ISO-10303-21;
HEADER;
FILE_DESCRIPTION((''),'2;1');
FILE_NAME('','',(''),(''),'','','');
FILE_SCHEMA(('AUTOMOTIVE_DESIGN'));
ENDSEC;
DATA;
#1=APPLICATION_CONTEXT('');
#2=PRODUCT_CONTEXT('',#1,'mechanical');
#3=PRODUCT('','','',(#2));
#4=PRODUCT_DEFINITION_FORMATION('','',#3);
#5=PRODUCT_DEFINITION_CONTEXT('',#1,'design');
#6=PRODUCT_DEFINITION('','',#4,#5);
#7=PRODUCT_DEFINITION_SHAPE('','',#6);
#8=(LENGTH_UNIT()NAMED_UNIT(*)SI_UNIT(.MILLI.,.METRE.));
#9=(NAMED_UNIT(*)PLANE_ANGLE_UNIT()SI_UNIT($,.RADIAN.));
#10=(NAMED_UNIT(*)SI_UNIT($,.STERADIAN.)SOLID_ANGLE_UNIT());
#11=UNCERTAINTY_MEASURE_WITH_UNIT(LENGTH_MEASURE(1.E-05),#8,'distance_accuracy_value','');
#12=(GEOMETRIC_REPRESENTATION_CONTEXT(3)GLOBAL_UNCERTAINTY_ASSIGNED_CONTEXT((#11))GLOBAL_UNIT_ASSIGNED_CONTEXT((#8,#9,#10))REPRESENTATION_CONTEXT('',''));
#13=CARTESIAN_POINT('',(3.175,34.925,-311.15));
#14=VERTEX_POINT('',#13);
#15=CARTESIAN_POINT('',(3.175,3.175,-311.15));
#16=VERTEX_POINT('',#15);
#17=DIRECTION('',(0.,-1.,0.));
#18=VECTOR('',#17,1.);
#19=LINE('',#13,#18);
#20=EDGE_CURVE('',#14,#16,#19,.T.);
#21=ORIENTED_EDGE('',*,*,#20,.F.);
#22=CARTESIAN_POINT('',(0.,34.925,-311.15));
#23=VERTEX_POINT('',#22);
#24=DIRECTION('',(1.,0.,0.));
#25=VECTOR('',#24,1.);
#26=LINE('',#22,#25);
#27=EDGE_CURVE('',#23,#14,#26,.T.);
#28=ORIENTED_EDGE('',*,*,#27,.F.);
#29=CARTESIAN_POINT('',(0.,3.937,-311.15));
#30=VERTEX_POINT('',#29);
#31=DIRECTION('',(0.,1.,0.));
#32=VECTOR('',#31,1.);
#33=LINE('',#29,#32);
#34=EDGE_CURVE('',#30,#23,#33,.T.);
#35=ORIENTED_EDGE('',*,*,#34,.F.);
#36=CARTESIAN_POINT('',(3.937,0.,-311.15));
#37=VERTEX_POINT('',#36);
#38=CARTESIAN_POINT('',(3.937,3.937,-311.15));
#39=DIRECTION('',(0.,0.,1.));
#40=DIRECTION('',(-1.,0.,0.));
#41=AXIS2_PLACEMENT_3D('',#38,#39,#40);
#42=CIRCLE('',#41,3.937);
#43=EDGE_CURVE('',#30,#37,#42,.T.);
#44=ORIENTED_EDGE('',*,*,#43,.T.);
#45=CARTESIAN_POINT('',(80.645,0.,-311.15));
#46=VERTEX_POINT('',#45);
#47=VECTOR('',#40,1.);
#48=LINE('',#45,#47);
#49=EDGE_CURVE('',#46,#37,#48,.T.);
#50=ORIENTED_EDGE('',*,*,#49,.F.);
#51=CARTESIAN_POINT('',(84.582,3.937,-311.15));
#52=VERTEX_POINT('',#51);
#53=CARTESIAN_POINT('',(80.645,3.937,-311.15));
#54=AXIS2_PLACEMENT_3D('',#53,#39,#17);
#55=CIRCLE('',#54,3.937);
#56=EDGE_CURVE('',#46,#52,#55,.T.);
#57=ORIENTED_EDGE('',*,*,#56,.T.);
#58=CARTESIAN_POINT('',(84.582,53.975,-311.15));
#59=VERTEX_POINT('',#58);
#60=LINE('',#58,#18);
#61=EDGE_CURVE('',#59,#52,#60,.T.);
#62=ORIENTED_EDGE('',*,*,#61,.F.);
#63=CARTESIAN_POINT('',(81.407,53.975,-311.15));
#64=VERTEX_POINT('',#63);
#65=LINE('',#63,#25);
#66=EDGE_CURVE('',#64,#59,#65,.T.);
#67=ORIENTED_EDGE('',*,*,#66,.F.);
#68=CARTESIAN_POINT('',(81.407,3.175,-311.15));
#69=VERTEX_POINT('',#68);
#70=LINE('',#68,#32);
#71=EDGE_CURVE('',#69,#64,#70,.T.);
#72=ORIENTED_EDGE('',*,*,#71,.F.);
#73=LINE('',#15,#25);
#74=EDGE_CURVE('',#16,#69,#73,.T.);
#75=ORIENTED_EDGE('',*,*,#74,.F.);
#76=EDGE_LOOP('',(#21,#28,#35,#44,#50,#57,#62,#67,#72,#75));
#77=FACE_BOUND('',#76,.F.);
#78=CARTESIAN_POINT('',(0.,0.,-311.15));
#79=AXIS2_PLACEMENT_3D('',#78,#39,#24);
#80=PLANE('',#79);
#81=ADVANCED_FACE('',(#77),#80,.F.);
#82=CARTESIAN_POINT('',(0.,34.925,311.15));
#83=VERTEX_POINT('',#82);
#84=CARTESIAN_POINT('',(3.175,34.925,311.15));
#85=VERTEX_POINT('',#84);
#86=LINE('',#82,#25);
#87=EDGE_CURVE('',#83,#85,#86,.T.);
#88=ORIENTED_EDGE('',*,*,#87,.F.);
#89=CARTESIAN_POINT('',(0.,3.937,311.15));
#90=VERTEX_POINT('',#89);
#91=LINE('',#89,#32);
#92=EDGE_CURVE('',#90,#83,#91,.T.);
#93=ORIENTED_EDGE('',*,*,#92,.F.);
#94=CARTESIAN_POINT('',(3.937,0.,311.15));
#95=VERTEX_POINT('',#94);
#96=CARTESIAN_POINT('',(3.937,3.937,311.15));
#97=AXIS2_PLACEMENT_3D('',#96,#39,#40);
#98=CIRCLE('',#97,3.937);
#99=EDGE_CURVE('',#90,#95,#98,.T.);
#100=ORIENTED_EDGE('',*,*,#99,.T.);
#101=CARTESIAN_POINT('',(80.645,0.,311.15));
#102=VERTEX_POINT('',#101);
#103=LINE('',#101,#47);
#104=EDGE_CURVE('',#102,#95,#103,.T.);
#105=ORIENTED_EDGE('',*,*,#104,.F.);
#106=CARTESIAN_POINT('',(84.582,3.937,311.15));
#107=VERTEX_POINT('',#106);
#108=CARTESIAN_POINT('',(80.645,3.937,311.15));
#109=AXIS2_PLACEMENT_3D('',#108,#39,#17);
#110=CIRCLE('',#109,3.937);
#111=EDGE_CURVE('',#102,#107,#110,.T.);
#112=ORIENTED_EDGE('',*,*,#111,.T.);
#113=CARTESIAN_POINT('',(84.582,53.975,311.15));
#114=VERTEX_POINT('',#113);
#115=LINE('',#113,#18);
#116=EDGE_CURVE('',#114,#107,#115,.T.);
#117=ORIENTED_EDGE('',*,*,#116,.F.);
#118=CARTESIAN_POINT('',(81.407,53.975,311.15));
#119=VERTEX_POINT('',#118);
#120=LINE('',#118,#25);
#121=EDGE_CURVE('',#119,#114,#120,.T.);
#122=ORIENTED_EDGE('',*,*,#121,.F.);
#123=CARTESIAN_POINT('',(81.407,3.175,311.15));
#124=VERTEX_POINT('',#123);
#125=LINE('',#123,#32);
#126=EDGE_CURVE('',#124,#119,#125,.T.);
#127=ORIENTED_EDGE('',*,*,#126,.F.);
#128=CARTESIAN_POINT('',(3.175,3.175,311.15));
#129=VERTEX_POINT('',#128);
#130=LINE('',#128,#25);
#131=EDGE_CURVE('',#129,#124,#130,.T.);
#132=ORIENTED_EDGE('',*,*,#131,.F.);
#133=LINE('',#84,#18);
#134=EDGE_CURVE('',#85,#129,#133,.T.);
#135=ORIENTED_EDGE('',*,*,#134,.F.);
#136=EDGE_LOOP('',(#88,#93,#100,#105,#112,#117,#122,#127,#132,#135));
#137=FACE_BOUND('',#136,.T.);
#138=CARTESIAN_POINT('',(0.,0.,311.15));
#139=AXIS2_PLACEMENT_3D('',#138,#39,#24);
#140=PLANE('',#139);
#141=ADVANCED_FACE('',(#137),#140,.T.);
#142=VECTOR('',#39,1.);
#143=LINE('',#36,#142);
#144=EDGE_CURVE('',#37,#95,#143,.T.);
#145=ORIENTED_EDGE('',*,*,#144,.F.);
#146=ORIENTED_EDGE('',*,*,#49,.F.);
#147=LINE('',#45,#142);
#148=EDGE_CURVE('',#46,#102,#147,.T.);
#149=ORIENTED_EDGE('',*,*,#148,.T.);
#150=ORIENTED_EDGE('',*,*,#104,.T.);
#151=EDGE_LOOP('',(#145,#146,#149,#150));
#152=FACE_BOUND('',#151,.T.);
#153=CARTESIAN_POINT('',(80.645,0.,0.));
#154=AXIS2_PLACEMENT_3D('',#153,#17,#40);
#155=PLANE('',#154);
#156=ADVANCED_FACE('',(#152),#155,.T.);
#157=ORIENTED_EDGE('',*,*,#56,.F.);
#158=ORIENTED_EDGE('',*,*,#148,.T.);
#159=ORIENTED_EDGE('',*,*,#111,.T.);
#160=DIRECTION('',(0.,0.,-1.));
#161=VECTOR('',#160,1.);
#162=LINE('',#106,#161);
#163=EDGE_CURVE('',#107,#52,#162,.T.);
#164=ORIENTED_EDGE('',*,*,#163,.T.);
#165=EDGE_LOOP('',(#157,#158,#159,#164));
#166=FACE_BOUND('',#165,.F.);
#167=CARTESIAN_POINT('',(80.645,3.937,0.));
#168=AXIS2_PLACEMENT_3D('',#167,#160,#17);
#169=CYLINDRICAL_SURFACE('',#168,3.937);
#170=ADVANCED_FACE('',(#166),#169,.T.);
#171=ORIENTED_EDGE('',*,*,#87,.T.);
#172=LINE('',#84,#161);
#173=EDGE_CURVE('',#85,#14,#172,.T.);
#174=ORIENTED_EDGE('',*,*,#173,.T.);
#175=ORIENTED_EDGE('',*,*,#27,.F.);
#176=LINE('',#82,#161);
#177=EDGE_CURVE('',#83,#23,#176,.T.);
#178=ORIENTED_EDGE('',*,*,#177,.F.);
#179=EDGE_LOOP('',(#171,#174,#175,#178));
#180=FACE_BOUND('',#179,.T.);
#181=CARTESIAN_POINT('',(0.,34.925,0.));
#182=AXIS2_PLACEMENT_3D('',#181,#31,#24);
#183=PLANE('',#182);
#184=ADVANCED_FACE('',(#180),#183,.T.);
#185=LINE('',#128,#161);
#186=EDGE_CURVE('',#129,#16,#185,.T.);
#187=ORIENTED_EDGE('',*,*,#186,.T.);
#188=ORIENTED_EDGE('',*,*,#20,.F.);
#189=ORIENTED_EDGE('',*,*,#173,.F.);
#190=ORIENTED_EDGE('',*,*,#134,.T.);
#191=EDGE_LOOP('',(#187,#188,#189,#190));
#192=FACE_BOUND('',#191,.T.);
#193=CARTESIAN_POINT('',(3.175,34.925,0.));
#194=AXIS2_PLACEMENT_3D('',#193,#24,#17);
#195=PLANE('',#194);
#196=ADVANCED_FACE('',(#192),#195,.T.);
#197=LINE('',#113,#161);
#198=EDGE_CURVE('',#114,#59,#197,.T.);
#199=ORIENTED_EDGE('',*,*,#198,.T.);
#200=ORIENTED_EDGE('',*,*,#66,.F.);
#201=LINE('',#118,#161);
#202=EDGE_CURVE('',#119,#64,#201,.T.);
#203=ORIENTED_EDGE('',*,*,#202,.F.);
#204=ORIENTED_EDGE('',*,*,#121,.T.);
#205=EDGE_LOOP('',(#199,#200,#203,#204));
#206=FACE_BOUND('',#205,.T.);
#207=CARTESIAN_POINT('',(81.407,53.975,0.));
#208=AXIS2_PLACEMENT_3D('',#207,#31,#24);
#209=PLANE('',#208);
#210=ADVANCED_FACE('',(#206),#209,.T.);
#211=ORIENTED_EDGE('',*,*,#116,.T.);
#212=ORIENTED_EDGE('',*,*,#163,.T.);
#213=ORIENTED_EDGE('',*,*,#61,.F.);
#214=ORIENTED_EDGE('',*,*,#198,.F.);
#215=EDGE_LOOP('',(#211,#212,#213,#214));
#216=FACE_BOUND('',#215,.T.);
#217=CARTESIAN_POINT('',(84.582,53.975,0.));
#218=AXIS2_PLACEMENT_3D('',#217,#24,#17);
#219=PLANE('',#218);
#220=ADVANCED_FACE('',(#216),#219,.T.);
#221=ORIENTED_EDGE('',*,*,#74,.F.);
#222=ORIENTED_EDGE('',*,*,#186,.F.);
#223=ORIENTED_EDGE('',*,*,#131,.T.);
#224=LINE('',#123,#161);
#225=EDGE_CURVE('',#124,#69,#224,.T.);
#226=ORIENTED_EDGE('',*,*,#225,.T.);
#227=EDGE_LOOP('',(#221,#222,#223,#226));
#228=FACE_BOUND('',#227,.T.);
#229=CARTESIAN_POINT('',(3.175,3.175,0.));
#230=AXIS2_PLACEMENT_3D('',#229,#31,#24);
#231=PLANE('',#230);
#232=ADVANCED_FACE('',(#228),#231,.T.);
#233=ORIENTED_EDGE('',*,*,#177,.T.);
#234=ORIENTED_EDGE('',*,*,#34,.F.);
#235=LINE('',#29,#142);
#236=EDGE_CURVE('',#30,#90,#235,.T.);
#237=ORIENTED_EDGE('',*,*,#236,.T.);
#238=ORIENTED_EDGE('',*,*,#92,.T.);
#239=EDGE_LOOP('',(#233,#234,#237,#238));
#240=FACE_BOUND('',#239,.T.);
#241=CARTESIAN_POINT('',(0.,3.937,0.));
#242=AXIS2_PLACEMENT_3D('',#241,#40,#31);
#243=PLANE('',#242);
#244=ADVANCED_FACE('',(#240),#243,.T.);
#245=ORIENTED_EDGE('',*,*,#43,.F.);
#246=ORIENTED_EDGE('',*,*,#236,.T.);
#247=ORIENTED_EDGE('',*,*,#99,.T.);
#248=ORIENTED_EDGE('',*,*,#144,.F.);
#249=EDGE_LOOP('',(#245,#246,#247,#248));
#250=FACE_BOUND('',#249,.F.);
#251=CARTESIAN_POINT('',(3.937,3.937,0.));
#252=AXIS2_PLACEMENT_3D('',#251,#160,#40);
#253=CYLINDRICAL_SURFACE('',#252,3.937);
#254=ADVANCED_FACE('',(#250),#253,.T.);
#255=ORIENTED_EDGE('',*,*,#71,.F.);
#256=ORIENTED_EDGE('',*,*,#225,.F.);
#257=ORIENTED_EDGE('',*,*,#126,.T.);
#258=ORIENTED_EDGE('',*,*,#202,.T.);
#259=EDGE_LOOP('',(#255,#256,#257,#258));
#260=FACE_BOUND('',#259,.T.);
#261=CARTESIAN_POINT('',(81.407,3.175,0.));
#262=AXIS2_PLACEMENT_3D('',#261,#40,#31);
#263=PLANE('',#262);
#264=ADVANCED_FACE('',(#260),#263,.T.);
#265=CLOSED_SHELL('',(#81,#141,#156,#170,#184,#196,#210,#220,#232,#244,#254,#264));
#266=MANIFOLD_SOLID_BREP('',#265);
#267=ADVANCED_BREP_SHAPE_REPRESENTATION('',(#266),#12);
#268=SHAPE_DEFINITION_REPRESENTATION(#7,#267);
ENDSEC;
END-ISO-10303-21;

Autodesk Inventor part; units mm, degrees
ref_plane "YZ Plane" through (0, 0, 0) normal (1, 0, 0) x (0, 1, 0)
ref_plane "XZ Plane" through (0, 0, 0) normal (0, 1, 0) x (-1, 0, 0)
ref_plane "XY Plane" through (0, 0, 0) normal (0, 0, 1) x (1, 0, 0)
sketch "Sketch1" plane through (0, 0, 0) normal (0, 0, 1) x (1, 0, 0)
  line L0 (0, 3.937) -> (0, 34.925)
  line L1 (0, 34.925) -> (3.175, 34.925)
  line L2 (3.175, 34.925) -> (3.175, 3.175)
  line L3 (3.175, 3.175) -> (81.407, 3.175)
  line L4 (81.407, 3.175) -> (81.407, 53.975)
  line L5 (81.407, 53.975) -> (84.582, 53.975)
  line L6 (84.582, 53.975) -> (84.582, 3.937)
  line L7 (80.645, 0) -> (3.937, 0)
  arc A0 (80.645, 0) -> (84.582, 3.937) centre (80.645, 3.937) ccw
  arc A1 (0, 3.937) -> (3.937, 0) centre (3.937, 3.937) ccw
  point P0 (0, 0)
  dimension "d0" = 34.925
  dimension "d1" = 3.175
  dimension "d2" = 31.75
  dimension "d3" = 78.232
  dimension "d4" = 50.8
  dimension "d5" = 3.175
  dimension "d6" = 3.937
  dimension "d7" = 3.937
extrude "Extrusion1" add sketch "Sketch1" along normal mid plane 622.3
properties part number "2020 End Plate"
